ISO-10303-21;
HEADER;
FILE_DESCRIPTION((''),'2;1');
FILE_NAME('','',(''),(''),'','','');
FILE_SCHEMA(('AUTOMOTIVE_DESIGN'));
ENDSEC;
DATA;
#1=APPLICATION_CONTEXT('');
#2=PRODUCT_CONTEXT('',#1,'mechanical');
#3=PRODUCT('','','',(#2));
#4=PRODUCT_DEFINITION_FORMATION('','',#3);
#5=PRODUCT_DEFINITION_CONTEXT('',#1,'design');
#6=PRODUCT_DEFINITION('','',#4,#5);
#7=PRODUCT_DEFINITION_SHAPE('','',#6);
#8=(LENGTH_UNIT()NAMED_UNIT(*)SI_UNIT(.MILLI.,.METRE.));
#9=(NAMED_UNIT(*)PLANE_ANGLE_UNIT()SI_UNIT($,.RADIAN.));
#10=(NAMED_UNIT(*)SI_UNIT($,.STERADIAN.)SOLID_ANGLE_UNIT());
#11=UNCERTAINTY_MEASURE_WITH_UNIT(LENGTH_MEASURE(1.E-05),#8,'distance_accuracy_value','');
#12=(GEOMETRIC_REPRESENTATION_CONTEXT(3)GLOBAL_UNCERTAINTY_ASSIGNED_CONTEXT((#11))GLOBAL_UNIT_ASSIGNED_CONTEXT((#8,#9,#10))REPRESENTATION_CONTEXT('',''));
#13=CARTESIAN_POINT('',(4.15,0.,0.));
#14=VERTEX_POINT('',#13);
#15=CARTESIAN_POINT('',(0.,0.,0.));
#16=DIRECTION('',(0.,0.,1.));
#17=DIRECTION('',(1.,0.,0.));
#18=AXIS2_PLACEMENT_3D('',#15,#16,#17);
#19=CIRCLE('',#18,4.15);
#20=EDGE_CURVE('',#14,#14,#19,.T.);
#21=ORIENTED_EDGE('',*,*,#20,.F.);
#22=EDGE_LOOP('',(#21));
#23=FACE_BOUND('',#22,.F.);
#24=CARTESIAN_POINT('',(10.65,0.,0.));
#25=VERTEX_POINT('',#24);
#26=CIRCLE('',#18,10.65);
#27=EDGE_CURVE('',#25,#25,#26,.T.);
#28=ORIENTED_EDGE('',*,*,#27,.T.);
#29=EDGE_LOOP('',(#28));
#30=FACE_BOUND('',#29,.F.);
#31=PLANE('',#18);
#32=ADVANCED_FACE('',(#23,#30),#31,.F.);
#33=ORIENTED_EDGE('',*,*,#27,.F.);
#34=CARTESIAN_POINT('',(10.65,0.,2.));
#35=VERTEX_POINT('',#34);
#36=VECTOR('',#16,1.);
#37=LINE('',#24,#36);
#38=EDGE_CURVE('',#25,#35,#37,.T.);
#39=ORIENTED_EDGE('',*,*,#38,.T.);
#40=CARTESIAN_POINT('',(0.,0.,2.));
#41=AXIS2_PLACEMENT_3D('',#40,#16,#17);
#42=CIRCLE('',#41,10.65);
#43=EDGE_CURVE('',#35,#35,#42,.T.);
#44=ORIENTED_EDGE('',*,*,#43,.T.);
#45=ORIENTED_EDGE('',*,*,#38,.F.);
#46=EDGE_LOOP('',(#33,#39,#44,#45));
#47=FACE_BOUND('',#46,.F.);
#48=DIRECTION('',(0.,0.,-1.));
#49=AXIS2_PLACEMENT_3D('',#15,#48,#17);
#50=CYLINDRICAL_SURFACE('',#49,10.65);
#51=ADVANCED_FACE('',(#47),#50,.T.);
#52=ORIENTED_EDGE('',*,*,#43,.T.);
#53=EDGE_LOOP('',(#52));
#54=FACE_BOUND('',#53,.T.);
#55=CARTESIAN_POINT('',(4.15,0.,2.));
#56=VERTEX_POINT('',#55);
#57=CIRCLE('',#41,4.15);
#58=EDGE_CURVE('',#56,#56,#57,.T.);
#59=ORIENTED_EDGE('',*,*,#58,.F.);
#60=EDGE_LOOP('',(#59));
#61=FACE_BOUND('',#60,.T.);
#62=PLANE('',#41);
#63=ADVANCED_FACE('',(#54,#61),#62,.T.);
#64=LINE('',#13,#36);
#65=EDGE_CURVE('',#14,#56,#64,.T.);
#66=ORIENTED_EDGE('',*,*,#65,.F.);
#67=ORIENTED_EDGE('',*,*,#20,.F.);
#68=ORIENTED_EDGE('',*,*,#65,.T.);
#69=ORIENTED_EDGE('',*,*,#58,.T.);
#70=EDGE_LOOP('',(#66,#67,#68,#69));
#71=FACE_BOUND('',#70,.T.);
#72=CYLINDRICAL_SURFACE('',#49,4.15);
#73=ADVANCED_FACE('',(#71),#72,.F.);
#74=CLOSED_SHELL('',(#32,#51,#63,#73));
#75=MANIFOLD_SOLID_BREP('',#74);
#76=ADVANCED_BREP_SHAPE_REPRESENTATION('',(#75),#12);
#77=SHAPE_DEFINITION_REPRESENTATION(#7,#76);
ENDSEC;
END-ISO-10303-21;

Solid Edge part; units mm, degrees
sketch "Sketch1" plane through (0, 0, 0) normal (0, 0, 1) x (1, 0, 0)
  circle A0 centre (0, 0) radius 10.65
  circle A1 centre (0, 0) radius 4.15
extrude "Protrusion1" add sketch "Sketch1" along normal blind 2
